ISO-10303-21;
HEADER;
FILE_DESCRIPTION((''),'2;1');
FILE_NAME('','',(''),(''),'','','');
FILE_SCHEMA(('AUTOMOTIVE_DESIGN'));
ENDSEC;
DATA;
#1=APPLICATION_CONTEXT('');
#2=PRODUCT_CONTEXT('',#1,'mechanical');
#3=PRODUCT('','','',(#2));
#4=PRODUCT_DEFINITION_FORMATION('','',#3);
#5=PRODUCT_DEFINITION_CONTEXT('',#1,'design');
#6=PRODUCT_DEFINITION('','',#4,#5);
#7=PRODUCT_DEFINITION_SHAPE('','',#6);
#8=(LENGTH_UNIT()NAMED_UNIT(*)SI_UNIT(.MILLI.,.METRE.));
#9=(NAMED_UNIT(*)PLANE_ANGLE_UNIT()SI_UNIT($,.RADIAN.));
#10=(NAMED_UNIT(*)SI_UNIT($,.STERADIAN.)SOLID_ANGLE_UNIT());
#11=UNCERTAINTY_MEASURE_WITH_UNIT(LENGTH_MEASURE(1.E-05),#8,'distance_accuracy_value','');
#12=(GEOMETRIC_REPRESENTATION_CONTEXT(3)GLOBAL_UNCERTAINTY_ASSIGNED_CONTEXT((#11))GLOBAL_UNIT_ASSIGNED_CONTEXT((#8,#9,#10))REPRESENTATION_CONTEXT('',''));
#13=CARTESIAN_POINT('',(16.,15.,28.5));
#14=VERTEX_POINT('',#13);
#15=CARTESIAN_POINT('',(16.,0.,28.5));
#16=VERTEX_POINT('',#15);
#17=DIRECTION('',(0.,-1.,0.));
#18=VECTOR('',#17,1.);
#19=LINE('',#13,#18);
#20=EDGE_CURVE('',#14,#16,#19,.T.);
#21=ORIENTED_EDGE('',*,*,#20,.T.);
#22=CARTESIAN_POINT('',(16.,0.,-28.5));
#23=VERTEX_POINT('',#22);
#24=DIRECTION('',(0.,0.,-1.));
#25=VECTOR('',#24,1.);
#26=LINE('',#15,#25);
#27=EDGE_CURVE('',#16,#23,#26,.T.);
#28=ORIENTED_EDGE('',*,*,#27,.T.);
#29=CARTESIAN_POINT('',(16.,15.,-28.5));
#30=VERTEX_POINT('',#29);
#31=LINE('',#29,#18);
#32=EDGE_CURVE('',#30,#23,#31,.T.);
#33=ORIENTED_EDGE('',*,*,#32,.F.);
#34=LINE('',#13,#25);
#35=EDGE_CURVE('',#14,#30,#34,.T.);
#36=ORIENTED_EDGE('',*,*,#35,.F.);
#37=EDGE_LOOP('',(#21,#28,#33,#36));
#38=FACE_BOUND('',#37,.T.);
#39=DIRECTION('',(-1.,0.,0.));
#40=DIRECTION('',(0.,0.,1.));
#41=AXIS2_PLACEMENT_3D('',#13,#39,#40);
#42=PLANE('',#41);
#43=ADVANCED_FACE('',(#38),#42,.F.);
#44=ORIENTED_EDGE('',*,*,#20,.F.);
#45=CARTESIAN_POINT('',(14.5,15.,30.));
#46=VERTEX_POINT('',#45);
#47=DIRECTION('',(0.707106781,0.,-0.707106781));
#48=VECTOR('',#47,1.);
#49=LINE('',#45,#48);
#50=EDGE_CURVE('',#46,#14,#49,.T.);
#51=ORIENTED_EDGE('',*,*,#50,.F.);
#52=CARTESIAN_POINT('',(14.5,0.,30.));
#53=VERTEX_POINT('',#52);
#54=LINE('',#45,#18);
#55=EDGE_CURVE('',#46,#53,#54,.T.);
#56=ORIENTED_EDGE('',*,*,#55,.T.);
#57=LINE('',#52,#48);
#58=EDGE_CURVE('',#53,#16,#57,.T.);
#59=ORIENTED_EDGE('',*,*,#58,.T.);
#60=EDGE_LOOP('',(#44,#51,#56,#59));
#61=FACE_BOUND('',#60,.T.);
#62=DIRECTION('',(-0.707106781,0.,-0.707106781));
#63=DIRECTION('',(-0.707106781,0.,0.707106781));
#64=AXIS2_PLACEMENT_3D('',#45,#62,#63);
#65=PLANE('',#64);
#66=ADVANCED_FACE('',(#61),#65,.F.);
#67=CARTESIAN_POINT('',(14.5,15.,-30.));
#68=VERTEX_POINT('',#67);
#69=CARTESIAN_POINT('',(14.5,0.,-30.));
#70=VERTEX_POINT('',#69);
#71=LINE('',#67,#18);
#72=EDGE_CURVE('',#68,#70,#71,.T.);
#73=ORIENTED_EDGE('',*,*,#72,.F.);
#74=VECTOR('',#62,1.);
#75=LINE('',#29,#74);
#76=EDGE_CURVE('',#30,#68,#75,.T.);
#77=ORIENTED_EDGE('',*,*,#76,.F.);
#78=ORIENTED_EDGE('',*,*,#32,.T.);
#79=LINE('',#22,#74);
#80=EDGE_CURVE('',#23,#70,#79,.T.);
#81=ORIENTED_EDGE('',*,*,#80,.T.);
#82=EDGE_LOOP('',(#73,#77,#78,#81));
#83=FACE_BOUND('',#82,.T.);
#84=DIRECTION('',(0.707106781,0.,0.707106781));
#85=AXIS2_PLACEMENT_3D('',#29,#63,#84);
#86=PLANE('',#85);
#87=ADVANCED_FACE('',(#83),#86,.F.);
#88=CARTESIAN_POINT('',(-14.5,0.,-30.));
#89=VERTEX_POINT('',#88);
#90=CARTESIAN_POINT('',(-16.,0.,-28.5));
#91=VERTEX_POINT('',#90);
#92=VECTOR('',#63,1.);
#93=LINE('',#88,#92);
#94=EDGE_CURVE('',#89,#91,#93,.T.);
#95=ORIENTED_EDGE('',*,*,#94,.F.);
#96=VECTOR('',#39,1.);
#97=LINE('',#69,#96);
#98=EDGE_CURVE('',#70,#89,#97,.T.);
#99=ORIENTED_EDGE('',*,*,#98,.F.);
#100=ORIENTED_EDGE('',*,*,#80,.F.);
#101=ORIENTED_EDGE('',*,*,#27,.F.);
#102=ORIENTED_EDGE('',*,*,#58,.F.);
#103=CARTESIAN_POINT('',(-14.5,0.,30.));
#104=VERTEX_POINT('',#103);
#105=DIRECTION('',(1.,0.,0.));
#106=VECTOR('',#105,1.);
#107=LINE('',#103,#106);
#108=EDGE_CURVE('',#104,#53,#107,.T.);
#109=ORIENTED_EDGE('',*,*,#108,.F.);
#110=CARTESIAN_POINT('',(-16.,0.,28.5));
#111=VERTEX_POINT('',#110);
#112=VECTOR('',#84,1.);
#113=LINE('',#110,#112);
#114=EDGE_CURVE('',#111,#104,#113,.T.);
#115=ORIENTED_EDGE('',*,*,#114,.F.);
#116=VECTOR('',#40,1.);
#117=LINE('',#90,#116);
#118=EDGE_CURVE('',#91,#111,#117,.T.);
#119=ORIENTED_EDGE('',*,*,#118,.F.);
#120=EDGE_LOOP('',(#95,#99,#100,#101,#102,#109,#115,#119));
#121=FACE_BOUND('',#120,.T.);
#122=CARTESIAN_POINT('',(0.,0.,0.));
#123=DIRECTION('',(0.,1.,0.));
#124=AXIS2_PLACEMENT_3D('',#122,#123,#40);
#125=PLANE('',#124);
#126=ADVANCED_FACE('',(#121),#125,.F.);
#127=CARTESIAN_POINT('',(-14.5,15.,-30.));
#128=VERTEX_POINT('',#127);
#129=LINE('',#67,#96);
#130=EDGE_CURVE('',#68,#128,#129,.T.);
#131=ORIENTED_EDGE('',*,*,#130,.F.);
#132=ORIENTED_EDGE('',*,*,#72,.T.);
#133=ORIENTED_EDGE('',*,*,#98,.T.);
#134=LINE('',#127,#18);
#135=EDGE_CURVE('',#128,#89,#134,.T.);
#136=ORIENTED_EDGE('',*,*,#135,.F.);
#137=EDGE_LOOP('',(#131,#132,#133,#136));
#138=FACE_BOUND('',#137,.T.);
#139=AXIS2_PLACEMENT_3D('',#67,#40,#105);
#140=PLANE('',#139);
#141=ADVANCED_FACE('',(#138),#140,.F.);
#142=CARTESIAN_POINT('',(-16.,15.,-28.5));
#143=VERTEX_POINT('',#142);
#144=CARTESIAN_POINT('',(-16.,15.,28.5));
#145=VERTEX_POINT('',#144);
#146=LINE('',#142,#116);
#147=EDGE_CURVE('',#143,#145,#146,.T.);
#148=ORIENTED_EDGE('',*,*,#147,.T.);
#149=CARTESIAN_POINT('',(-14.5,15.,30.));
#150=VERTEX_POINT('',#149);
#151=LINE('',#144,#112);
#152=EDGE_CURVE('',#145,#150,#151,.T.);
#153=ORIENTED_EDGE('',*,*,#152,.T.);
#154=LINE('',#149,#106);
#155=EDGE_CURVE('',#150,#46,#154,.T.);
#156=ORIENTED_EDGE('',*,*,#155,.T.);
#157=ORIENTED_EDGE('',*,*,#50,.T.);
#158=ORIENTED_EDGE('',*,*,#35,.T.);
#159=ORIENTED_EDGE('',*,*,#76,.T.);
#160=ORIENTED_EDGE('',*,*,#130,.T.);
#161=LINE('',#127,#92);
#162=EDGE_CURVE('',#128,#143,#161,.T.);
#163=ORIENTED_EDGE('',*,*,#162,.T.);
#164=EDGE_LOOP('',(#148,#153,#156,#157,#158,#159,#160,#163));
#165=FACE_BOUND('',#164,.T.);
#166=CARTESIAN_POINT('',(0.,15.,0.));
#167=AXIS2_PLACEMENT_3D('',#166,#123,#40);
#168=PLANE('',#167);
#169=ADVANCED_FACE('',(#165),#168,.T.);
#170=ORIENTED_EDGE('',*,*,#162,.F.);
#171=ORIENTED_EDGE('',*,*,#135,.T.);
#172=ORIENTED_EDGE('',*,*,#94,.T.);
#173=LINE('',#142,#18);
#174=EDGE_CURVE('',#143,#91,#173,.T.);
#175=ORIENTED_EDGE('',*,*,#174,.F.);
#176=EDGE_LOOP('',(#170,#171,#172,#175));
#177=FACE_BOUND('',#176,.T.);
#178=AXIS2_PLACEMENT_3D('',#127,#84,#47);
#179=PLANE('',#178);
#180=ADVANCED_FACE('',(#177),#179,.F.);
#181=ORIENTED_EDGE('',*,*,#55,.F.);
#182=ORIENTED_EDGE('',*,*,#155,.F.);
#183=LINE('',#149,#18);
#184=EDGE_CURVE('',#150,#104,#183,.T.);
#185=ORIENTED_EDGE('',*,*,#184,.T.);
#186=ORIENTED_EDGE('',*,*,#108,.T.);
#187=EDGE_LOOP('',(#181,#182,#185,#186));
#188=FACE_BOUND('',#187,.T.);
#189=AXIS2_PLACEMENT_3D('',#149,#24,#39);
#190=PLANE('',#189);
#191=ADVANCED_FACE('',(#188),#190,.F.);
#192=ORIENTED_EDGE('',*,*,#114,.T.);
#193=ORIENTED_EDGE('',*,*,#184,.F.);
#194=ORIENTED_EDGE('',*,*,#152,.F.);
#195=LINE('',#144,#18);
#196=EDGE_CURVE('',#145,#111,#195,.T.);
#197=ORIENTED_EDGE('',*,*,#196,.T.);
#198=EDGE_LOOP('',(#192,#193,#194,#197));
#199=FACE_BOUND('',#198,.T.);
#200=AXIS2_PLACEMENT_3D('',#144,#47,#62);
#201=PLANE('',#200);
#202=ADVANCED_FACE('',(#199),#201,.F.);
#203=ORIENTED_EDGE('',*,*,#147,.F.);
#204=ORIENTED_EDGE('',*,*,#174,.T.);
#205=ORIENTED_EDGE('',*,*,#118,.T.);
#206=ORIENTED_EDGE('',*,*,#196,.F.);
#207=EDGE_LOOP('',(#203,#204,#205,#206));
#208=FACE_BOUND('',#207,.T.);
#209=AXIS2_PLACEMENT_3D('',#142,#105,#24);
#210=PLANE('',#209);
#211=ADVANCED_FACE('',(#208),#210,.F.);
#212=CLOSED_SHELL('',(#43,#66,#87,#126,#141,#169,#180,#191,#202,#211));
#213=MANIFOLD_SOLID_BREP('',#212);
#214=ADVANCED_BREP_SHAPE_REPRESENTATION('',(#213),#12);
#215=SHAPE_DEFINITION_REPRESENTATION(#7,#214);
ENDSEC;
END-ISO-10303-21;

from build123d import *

# Parameters (mm, degrees)
EXTRUDE_1_DEPTH = 15


with BuildPart() as part:
    # 草图1 → 凸台-拉伸1 (new body)
    with BuildSketch(Plane(origin=(0, 0, 0), x_dir=(1, 0, 0), z_dir=(0, 1, 0))):
        Polygon((-14.5, -30), (14.5, -30), (16, -28.5), (16, 28.5), (14.5, 30), (-14.5, 30), (-16, 28.5), (-16, -28.5), align=None)
    extrude(amount=EXTRUDE_1_DEPTH)


solid = part.part
